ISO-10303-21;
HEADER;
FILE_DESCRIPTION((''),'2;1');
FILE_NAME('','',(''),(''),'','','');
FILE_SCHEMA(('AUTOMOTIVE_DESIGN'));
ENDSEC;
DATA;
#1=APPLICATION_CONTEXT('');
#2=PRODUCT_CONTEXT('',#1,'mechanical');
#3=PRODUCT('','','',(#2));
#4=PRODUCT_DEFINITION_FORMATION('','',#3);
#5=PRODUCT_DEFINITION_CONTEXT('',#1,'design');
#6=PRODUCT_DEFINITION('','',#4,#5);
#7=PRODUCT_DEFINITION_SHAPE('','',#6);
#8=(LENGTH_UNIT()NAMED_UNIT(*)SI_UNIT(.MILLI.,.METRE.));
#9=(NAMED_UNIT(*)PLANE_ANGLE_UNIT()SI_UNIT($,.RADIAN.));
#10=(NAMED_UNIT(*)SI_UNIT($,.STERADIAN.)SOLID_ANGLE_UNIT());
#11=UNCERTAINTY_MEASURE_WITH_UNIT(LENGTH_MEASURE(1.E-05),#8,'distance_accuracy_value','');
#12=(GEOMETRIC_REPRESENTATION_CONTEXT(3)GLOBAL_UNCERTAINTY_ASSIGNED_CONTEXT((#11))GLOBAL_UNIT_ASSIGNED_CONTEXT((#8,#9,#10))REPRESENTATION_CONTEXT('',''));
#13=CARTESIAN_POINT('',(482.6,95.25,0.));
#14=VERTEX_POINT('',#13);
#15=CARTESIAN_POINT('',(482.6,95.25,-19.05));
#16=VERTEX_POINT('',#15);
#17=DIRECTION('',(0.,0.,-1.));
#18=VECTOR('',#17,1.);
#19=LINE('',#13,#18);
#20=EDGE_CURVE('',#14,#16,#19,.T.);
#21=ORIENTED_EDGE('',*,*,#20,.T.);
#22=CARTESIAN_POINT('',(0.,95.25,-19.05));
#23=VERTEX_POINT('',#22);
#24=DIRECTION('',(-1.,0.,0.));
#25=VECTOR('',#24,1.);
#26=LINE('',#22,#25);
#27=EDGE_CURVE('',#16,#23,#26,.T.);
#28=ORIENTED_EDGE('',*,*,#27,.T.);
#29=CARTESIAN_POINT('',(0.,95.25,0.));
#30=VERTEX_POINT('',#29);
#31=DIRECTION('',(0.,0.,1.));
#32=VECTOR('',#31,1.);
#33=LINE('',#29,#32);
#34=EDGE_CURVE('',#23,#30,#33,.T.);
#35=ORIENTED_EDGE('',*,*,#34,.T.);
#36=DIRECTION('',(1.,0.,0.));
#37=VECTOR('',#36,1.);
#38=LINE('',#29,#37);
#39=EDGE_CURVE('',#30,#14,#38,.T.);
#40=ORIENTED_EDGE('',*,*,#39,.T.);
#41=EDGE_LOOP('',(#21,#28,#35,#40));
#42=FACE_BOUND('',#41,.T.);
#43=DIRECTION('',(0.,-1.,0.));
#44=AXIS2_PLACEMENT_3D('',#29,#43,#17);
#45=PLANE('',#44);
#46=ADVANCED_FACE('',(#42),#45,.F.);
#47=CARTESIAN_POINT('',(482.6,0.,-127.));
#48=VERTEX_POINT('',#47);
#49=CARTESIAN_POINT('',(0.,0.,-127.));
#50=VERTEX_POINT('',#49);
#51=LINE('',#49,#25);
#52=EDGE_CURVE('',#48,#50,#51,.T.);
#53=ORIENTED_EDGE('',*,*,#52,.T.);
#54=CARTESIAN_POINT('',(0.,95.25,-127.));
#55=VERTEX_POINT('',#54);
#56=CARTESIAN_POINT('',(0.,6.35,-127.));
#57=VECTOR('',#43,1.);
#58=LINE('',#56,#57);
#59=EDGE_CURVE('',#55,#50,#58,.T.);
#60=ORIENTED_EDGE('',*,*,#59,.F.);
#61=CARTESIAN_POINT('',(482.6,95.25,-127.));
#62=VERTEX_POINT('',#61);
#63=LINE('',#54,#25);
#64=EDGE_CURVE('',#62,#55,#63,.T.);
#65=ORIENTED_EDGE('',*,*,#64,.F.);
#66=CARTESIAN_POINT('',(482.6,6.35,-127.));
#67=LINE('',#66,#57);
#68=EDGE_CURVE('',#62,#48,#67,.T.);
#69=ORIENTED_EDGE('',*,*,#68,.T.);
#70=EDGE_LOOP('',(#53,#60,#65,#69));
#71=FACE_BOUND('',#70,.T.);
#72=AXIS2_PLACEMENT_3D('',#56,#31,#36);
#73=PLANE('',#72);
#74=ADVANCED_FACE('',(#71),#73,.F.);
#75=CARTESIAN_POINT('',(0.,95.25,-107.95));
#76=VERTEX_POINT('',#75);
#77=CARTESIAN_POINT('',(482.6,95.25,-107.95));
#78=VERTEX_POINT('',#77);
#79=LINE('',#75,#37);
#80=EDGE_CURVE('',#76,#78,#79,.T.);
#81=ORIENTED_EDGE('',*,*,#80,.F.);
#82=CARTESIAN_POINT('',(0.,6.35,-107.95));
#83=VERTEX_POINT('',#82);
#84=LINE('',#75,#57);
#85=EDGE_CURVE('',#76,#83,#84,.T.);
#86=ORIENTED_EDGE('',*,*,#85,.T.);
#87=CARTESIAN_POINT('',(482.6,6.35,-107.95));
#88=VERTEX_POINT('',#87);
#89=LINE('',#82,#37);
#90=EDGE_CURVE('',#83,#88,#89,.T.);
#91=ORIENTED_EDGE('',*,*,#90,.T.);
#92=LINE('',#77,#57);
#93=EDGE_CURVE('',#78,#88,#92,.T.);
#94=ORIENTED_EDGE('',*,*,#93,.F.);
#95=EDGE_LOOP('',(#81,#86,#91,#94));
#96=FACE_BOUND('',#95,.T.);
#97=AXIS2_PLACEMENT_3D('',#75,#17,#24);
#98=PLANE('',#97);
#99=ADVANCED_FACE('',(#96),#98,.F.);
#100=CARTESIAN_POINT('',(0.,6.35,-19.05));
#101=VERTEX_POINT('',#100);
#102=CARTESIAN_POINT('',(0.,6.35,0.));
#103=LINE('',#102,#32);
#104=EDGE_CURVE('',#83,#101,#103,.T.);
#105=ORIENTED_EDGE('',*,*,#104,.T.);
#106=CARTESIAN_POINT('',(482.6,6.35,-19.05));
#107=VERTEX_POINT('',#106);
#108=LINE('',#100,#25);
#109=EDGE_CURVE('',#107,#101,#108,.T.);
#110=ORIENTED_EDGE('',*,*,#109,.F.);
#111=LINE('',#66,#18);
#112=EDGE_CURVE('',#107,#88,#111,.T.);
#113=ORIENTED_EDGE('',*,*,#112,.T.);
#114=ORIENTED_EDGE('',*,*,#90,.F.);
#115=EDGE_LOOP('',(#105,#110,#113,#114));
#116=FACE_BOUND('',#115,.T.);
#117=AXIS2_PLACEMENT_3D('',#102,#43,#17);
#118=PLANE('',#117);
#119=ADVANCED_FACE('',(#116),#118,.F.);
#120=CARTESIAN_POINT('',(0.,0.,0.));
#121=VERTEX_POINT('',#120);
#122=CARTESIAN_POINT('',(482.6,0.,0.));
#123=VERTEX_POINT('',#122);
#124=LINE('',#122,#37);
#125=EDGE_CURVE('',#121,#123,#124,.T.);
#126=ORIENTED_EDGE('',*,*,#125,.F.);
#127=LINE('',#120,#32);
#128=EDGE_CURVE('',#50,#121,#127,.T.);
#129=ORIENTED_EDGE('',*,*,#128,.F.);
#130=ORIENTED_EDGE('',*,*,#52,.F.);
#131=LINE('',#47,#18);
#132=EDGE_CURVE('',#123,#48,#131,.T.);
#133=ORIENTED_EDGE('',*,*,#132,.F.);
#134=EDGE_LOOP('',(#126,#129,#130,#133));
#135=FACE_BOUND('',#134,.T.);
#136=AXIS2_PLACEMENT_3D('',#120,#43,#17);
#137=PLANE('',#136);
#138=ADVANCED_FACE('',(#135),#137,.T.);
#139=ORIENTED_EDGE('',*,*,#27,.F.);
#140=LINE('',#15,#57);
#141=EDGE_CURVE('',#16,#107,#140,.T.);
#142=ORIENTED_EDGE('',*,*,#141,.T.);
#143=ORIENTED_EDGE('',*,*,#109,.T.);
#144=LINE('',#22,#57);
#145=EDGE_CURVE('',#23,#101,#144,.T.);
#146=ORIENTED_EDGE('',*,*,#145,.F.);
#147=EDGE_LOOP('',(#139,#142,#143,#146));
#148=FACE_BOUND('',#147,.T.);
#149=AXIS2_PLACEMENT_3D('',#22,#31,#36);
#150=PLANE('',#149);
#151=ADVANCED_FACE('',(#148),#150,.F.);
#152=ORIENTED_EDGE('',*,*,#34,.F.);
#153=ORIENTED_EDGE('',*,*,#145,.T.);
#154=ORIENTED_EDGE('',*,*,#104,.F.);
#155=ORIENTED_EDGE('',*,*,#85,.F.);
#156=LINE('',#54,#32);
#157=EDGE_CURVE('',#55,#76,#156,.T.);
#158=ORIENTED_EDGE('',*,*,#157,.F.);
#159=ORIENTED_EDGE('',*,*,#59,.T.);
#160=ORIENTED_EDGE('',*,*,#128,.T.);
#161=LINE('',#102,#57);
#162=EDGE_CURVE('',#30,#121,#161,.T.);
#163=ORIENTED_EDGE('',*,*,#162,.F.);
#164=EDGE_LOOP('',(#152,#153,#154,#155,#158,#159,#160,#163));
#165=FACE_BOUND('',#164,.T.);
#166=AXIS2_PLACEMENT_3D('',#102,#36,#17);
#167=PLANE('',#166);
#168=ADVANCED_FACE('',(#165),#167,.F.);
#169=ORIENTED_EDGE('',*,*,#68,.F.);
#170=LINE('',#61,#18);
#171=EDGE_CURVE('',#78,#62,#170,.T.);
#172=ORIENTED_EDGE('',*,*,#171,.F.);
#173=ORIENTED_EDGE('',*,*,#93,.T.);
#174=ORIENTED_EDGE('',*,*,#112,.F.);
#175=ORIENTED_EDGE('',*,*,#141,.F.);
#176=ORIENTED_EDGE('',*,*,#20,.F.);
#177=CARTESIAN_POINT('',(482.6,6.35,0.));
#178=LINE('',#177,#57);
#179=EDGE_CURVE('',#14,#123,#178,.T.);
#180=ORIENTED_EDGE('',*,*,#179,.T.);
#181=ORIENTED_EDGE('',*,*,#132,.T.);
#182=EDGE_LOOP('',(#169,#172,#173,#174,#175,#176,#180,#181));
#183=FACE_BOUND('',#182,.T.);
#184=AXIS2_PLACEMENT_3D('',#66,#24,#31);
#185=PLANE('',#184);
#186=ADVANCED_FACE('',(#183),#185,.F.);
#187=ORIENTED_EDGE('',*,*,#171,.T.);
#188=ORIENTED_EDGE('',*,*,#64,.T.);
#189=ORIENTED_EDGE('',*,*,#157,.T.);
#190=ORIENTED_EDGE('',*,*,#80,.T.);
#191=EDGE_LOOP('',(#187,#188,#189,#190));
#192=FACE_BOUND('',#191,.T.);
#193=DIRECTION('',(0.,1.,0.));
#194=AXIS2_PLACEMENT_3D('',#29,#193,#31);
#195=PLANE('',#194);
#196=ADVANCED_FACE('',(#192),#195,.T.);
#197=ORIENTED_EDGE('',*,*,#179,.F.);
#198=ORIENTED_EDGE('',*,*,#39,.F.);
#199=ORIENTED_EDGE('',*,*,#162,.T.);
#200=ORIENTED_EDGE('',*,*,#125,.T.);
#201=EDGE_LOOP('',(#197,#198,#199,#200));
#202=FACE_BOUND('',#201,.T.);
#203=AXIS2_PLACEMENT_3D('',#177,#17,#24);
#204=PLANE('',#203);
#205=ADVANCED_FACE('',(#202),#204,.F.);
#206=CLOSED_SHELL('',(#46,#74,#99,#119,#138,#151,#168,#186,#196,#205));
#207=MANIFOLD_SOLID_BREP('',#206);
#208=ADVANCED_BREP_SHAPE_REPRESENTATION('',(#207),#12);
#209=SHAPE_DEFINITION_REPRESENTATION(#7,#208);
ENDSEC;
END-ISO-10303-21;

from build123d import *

# Parameters (mm, degrees)
ACRYLIC_SHEET_W     = 482.6
ACRYLIC_SHEET_H     = 127
BOSS_EXTRUDE1_DEPTH = 6.35
SKETCH2_W           = 482.6
SKETCH2_H           = 19.05
BOSS_EXTRUDE2_DEPTH = 88.9


with BuildPart() as part:
    # Acrylic Sheet → Boss-Extrude1 (new body)
    with BuildSketch(Plane(origin=(0, 0, 0), x_dir=(1, 0, 0), z_dir=(0, 1, 0))):
        with Locations((241.3, 63.5)):
            Rectangle(ACRYLIC_SHEET_W, ACRYLIC_SHEET_H)
    extrude(amount=BOSS_EXTRUDE1_DEPTH)

    # Sketch2 → Boss-Extrude2 (add)
    with BuildSketch(Plane(origin=(0, 6.35, 0), x_dir=(1, 0, 0), z_dir=(0, 1, 0))):
        with Locations((241.3, 9.525)):
            Rectangle(SKETCH2_W, SKETCH2_H)
        with Locations((241.3, 117.475)):
            Rectangle(SKETCH2_W, SKETCH2_H)
    extrude(amount=BOSS_EXTRUDE2_DEPTH)


solid = part.part
